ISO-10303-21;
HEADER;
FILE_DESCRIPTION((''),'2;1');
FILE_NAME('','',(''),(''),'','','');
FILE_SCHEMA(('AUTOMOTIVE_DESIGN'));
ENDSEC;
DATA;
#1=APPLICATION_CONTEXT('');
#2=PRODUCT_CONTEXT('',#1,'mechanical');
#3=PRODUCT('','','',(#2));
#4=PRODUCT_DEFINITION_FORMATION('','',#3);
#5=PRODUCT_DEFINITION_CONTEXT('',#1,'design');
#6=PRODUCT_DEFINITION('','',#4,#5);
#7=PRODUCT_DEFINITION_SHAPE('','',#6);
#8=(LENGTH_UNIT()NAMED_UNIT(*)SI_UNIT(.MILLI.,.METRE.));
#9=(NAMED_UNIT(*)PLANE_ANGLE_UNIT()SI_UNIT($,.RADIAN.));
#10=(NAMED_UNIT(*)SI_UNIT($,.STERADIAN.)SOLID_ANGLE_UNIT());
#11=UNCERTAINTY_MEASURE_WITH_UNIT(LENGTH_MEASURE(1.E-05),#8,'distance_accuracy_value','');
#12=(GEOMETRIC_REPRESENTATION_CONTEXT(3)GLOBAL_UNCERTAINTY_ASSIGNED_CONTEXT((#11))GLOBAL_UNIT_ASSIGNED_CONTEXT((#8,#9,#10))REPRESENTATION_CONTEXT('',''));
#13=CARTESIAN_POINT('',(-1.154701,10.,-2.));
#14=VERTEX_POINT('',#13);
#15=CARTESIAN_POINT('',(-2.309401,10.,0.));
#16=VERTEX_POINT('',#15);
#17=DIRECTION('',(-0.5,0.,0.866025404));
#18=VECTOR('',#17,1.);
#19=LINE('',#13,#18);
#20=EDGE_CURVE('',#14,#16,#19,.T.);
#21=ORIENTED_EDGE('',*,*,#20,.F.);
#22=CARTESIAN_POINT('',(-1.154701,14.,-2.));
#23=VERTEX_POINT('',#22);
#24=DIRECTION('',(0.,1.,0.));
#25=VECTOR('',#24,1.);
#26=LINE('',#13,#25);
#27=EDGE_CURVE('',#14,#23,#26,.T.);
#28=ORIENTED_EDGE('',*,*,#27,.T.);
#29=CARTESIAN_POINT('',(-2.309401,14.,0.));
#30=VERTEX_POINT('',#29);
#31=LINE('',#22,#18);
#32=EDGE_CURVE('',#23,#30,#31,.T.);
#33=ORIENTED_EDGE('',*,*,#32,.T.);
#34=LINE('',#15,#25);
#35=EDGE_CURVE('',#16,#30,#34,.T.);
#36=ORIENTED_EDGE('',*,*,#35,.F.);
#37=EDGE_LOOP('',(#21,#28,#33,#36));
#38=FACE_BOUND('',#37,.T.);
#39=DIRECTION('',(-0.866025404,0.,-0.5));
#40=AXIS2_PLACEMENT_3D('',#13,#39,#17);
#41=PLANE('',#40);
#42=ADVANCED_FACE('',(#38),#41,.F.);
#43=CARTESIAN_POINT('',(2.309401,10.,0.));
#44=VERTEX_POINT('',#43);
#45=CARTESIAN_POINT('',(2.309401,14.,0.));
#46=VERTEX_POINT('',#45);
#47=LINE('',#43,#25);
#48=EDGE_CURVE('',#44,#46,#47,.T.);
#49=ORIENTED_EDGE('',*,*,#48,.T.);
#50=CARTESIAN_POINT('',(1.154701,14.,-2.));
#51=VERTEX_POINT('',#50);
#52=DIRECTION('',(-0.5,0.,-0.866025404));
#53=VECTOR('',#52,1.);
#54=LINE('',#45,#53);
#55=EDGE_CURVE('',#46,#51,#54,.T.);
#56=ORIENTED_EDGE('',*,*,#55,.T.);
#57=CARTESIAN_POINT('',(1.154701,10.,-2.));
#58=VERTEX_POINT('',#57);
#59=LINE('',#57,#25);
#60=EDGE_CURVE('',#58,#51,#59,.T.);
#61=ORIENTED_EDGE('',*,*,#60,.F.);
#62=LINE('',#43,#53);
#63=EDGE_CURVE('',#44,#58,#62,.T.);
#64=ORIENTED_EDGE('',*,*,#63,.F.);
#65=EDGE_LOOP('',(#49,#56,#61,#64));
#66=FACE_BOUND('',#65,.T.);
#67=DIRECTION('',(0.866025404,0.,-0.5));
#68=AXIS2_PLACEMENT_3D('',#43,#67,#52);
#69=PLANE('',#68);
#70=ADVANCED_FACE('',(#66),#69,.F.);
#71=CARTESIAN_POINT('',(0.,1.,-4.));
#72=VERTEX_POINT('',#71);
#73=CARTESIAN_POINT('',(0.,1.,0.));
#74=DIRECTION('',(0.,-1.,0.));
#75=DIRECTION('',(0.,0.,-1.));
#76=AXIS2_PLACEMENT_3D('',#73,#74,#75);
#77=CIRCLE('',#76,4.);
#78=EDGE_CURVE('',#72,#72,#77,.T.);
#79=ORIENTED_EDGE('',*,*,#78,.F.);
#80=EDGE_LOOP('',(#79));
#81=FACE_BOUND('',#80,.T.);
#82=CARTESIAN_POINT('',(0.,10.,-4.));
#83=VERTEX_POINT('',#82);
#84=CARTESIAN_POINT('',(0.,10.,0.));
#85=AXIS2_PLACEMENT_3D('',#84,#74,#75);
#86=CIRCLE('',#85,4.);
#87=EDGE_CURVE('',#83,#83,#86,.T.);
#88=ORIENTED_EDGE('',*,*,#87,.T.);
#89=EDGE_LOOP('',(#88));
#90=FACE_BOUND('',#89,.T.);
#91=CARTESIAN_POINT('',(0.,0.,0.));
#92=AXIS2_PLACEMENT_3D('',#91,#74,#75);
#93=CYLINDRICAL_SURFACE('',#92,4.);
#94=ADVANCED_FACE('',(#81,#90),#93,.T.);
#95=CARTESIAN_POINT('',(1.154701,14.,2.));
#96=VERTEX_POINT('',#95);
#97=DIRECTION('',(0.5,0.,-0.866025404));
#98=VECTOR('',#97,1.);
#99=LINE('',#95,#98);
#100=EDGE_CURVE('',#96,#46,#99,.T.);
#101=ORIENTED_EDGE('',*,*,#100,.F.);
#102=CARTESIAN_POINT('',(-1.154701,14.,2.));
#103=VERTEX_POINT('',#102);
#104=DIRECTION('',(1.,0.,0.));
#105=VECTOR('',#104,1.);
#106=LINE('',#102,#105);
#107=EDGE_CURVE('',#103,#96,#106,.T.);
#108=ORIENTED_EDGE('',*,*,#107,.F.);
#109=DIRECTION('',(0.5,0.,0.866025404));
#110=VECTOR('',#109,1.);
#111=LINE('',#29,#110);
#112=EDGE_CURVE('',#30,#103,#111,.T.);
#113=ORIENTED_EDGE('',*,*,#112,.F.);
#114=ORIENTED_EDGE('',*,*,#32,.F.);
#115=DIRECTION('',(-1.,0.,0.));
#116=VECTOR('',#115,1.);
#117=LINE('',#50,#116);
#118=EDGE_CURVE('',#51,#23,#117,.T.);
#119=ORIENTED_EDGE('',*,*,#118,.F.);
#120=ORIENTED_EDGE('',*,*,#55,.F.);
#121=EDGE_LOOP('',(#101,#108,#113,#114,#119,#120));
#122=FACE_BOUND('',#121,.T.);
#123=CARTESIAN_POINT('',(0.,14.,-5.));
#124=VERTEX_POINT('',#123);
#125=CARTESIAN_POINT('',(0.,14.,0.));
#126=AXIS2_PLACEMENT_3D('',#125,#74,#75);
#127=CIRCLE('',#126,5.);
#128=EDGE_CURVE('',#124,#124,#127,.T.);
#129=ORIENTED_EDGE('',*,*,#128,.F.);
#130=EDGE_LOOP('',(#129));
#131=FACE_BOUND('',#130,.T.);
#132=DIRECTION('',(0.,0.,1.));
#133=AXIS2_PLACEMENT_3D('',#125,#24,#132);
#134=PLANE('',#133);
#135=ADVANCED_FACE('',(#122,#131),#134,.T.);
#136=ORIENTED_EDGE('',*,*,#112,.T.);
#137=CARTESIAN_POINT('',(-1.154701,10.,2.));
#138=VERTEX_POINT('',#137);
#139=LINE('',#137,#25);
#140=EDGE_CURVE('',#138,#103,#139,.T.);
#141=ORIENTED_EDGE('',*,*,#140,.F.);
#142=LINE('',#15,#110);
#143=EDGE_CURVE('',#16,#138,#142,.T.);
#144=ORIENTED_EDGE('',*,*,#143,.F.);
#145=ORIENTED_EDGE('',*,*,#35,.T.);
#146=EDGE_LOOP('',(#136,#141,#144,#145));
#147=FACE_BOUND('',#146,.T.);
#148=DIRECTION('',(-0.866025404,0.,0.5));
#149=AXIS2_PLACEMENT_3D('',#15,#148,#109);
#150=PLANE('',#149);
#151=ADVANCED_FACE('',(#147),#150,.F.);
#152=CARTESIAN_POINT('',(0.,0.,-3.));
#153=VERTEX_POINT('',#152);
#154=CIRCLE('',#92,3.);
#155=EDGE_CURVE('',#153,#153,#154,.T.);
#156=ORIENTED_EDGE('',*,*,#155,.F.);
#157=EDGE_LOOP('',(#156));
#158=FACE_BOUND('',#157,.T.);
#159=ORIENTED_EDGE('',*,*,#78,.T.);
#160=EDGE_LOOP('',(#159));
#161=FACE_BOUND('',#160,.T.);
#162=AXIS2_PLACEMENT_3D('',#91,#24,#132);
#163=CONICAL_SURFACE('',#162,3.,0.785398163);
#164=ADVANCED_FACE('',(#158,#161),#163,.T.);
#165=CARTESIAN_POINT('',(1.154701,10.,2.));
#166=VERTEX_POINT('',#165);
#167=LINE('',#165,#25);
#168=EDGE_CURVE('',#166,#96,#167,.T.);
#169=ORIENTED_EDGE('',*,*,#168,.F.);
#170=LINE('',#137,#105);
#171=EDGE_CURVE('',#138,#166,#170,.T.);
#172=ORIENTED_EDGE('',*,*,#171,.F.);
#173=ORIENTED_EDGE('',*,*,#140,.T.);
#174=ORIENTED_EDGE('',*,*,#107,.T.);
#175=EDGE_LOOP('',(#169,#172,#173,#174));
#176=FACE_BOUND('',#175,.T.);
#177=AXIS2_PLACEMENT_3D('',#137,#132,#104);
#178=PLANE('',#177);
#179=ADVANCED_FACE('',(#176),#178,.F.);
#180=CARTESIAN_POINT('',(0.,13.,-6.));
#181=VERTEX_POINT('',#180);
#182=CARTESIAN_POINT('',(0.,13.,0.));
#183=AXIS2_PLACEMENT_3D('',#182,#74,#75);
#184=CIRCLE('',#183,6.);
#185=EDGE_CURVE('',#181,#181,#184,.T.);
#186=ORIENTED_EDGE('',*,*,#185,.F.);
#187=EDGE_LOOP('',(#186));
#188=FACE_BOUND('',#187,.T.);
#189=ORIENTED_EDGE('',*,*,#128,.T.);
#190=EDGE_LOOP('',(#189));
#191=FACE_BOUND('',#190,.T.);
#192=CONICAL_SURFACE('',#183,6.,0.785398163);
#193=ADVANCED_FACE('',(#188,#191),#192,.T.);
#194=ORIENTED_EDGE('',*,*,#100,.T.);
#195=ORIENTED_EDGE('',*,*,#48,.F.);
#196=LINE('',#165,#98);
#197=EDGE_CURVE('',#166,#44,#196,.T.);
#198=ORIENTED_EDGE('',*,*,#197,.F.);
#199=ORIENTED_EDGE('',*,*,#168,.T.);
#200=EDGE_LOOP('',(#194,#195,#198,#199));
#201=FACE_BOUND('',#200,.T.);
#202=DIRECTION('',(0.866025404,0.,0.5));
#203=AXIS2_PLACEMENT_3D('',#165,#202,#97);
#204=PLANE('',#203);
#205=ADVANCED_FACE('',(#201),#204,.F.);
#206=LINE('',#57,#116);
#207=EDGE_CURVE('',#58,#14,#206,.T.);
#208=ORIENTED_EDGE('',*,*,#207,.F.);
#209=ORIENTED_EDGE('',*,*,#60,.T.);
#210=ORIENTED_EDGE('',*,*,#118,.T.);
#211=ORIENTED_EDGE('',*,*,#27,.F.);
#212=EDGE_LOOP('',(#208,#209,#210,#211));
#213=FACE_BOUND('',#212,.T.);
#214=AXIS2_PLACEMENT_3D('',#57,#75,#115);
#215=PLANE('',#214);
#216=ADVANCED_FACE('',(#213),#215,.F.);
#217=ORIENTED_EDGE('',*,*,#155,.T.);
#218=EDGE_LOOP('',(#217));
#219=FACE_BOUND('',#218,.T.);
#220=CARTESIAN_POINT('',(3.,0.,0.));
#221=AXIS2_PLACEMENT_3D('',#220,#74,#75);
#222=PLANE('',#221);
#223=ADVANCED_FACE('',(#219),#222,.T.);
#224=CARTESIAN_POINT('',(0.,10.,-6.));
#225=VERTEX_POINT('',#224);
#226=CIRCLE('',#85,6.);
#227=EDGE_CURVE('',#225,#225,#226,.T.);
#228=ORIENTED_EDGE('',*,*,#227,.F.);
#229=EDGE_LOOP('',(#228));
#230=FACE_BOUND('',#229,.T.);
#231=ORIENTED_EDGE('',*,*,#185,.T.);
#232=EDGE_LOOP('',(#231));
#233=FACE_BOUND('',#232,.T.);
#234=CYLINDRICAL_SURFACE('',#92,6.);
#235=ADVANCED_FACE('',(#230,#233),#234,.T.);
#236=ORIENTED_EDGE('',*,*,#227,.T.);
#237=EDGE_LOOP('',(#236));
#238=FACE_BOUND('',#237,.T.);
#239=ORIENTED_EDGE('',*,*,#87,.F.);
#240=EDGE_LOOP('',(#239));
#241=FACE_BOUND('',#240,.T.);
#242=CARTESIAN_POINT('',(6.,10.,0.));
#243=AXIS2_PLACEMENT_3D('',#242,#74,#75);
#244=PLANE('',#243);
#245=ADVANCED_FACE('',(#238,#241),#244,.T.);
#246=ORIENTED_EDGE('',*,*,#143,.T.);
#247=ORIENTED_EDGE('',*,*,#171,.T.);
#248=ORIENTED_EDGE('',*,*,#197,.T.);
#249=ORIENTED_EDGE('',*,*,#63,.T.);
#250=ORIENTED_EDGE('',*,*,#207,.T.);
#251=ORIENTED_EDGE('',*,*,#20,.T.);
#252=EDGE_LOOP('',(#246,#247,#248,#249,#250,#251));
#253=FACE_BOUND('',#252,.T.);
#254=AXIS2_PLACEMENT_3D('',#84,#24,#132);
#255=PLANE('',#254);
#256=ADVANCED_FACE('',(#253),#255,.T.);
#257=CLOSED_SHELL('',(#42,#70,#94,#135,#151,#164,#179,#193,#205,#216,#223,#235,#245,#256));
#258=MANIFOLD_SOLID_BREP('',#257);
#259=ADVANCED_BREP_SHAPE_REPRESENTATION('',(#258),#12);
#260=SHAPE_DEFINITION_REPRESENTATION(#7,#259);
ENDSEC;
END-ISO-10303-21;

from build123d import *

# Parameters (mm, degrees)
CORTAR_EXTRUIR1_DEPTH = 4


with BuildPart() as part:
    # Croquis2 → Revolución1 (revolve)
    with BuildSketch(Plane.XY, mode=Mode.PRIVATE) as revoluci_n1_sk:
        Polygon((0, 0), (0, 14), (5, 14), (6, 13), (6, 10), (4, 10), (4, 1), (3, 0), align=None)
    revolve(revoluci_n1_sk.sketch.rotate(Axis((0, 0, 0), (0, 1, 0)), 90), axis=Axis((0, 0, 0), (0, 1, 0)))

    # Croquis3 → Cortar-Extruir1 (cut)
    with BuildSketch(Plane(origin=(0, 14, 0), x_dir=(1, 0, 0), z_dir=(0, 1, 0))):
        Polygon((1.154700538, 2), (-1.154700538, 2), (-2.309401077, 0), (-1.154700538, -2), (1.154700538, -2), (2.309401077, 0), align=None)
    extrude(amount=-CORTAR_EXTRUIR1_DEPTH, mode=Mode.SUBTRACT)


solid = part.part
